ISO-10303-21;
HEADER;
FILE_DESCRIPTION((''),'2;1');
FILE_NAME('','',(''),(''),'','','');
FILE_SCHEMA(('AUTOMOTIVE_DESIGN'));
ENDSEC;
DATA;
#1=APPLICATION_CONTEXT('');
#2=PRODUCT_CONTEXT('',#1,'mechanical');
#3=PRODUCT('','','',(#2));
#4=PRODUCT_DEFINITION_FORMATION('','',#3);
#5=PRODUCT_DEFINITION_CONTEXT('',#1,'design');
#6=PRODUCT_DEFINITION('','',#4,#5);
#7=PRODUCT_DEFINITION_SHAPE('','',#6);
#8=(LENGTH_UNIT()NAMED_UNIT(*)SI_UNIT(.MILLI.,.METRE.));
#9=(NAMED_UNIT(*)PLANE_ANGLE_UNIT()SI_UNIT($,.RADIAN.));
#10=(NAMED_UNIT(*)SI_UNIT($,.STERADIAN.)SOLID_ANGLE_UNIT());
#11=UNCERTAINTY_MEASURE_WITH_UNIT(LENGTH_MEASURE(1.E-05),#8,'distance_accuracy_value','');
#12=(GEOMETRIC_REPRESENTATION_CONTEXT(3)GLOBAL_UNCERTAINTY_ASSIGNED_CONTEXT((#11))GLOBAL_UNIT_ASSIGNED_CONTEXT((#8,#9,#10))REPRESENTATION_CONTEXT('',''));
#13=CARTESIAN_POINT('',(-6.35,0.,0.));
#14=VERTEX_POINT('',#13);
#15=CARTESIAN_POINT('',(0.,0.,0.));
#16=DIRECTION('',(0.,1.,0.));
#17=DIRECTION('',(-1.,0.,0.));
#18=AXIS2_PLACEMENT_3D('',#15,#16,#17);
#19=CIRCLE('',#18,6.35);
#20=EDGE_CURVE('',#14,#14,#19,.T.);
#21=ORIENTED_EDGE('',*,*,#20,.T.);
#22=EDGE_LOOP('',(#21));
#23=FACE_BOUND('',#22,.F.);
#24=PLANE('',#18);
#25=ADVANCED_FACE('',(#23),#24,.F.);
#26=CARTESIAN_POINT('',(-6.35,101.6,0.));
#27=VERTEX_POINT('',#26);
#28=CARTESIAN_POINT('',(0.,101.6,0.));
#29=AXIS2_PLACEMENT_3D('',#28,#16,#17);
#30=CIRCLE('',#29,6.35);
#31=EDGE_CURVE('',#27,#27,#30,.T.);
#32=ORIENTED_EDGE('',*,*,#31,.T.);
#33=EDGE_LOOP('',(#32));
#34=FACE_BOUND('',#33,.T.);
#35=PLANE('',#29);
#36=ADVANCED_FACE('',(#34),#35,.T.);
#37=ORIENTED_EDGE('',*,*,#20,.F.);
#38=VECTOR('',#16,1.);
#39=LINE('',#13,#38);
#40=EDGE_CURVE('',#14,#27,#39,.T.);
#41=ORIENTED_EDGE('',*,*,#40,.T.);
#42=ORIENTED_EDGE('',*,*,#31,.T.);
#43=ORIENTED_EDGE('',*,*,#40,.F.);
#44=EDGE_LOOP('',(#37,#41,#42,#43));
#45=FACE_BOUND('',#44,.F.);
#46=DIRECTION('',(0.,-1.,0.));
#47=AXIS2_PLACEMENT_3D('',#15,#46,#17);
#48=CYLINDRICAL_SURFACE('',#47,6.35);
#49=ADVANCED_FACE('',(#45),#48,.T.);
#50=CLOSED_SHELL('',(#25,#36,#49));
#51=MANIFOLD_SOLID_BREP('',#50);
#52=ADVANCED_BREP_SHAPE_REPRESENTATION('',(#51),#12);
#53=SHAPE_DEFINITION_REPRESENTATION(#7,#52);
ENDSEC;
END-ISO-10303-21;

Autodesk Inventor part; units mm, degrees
ref_plane "YZ Plane" through (0, 0, 0) normal (1, 0, 0) x (0, 1, 0)
ref_plane "XZ Plane" through (0, 0, 0) normal (0, 1, 0) x (-1, 0, 0)
ref_plane "XY Plane" through (0, 0, 0) normal (0, 0, 1) x (1, 0, 0)
sketch "Sketch1" plane through (0, 0, 0) normal (0, 1, 0) x (-1, 0, 0)
  circle A0 centre (0, 0) radius 6.35
  dimension "d0" = 12.7
extrude "Extrusion1" add sketch "Sketch1" along normal blind 101.6
properties part number "Insert" material "Stainless Steel"
